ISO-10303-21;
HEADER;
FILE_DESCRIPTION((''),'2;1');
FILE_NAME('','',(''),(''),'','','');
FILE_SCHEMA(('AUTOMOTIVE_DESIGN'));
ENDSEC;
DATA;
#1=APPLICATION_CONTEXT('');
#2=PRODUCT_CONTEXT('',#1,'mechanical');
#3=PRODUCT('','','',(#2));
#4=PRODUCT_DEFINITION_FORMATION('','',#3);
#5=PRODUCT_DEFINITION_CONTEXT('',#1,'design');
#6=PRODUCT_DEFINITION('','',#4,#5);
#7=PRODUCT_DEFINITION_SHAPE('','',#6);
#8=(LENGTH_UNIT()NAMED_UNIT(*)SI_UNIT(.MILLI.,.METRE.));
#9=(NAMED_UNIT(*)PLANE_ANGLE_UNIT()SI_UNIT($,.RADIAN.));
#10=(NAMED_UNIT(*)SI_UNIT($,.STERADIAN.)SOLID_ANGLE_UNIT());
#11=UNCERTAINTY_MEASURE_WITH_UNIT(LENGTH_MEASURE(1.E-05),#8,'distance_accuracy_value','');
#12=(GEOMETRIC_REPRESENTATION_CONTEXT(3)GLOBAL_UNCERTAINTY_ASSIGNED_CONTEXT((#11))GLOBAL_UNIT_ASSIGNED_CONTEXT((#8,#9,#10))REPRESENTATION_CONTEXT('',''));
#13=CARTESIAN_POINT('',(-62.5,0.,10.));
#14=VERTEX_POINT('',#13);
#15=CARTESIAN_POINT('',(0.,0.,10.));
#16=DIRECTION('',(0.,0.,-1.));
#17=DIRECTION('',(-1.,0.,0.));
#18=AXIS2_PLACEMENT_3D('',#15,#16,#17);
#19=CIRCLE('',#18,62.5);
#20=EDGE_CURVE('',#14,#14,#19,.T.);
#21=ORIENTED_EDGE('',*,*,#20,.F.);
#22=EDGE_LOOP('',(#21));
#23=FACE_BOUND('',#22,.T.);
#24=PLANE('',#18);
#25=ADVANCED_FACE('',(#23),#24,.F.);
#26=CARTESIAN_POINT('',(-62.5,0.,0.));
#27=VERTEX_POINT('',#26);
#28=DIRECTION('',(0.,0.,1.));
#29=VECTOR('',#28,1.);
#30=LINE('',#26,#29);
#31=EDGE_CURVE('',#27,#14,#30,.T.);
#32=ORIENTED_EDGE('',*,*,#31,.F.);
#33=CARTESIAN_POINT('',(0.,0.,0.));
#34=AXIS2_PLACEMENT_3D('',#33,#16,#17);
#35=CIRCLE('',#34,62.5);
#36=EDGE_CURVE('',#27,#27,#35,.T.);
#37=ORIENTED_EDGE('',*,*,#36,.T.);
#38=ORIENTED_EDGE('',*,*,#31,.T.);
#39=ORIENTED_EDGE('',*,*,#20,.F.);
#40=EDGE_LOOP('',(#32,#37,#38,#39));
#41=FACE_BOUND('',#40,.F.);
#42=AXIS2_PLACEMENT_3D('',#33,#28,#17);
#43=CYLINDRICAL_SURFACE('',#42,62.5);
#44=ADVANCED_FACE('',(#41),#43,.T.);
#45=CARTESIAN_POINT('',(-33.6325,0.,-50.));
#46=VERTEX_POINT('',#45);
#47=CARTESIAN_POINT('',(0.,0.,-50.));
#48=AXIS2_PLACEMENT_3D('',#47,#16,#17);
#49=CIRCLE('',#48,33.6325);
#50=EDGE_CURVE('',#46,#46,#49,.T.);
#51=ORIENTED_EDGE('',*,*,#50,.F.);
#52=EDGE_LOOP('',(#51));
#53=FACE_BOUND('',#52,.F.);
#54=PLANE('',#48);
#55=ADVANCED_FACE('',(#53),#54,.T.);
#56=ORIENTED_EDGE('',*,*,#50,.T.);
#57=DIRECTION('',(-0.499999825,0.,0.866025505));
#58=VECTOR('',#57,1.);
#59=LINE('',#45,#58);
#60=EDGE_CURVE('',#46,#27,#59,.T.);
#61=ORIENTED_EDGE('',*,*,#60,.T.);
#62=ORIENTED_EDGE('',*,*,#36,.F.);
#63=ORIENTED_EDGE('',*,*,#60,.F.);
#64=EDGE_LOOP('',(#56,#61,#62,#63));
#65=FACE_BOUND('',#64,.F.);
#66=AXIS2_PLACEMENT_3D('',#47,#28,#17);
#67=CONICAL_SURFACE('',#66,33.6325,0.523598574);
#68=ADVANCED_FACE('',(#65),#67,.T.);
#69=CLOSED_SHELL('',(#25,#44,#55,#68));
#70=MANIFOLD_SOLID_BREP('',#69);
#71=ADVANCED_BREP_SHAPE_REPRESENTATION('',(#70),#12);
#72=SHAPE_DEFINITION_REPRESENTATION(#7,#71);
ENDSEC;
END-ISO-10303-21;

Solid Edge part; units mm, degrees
sketch "Sketch1" plane through (0, 0, 0) normal (0, -1, 0) x (1, 0, 0)
  line L0 (0, 0) -> (0, -50)
  line L1 (0, -50) -> (-33.6325, -50)
  line L2 (-33.6325, -50) -> (-62.5, 0)
  line L3 (-62.5, 0) -> (-62.5, 10)
  line L4 (0, 10) -> (-62.5, 10)
  line L5 (0, 0) -> (0, 10)
revolve "RevolvedProtrusion1" add sketch "Sketch1" angle 360 about axis through (0, 0, 0) along (0, 0, -1)
